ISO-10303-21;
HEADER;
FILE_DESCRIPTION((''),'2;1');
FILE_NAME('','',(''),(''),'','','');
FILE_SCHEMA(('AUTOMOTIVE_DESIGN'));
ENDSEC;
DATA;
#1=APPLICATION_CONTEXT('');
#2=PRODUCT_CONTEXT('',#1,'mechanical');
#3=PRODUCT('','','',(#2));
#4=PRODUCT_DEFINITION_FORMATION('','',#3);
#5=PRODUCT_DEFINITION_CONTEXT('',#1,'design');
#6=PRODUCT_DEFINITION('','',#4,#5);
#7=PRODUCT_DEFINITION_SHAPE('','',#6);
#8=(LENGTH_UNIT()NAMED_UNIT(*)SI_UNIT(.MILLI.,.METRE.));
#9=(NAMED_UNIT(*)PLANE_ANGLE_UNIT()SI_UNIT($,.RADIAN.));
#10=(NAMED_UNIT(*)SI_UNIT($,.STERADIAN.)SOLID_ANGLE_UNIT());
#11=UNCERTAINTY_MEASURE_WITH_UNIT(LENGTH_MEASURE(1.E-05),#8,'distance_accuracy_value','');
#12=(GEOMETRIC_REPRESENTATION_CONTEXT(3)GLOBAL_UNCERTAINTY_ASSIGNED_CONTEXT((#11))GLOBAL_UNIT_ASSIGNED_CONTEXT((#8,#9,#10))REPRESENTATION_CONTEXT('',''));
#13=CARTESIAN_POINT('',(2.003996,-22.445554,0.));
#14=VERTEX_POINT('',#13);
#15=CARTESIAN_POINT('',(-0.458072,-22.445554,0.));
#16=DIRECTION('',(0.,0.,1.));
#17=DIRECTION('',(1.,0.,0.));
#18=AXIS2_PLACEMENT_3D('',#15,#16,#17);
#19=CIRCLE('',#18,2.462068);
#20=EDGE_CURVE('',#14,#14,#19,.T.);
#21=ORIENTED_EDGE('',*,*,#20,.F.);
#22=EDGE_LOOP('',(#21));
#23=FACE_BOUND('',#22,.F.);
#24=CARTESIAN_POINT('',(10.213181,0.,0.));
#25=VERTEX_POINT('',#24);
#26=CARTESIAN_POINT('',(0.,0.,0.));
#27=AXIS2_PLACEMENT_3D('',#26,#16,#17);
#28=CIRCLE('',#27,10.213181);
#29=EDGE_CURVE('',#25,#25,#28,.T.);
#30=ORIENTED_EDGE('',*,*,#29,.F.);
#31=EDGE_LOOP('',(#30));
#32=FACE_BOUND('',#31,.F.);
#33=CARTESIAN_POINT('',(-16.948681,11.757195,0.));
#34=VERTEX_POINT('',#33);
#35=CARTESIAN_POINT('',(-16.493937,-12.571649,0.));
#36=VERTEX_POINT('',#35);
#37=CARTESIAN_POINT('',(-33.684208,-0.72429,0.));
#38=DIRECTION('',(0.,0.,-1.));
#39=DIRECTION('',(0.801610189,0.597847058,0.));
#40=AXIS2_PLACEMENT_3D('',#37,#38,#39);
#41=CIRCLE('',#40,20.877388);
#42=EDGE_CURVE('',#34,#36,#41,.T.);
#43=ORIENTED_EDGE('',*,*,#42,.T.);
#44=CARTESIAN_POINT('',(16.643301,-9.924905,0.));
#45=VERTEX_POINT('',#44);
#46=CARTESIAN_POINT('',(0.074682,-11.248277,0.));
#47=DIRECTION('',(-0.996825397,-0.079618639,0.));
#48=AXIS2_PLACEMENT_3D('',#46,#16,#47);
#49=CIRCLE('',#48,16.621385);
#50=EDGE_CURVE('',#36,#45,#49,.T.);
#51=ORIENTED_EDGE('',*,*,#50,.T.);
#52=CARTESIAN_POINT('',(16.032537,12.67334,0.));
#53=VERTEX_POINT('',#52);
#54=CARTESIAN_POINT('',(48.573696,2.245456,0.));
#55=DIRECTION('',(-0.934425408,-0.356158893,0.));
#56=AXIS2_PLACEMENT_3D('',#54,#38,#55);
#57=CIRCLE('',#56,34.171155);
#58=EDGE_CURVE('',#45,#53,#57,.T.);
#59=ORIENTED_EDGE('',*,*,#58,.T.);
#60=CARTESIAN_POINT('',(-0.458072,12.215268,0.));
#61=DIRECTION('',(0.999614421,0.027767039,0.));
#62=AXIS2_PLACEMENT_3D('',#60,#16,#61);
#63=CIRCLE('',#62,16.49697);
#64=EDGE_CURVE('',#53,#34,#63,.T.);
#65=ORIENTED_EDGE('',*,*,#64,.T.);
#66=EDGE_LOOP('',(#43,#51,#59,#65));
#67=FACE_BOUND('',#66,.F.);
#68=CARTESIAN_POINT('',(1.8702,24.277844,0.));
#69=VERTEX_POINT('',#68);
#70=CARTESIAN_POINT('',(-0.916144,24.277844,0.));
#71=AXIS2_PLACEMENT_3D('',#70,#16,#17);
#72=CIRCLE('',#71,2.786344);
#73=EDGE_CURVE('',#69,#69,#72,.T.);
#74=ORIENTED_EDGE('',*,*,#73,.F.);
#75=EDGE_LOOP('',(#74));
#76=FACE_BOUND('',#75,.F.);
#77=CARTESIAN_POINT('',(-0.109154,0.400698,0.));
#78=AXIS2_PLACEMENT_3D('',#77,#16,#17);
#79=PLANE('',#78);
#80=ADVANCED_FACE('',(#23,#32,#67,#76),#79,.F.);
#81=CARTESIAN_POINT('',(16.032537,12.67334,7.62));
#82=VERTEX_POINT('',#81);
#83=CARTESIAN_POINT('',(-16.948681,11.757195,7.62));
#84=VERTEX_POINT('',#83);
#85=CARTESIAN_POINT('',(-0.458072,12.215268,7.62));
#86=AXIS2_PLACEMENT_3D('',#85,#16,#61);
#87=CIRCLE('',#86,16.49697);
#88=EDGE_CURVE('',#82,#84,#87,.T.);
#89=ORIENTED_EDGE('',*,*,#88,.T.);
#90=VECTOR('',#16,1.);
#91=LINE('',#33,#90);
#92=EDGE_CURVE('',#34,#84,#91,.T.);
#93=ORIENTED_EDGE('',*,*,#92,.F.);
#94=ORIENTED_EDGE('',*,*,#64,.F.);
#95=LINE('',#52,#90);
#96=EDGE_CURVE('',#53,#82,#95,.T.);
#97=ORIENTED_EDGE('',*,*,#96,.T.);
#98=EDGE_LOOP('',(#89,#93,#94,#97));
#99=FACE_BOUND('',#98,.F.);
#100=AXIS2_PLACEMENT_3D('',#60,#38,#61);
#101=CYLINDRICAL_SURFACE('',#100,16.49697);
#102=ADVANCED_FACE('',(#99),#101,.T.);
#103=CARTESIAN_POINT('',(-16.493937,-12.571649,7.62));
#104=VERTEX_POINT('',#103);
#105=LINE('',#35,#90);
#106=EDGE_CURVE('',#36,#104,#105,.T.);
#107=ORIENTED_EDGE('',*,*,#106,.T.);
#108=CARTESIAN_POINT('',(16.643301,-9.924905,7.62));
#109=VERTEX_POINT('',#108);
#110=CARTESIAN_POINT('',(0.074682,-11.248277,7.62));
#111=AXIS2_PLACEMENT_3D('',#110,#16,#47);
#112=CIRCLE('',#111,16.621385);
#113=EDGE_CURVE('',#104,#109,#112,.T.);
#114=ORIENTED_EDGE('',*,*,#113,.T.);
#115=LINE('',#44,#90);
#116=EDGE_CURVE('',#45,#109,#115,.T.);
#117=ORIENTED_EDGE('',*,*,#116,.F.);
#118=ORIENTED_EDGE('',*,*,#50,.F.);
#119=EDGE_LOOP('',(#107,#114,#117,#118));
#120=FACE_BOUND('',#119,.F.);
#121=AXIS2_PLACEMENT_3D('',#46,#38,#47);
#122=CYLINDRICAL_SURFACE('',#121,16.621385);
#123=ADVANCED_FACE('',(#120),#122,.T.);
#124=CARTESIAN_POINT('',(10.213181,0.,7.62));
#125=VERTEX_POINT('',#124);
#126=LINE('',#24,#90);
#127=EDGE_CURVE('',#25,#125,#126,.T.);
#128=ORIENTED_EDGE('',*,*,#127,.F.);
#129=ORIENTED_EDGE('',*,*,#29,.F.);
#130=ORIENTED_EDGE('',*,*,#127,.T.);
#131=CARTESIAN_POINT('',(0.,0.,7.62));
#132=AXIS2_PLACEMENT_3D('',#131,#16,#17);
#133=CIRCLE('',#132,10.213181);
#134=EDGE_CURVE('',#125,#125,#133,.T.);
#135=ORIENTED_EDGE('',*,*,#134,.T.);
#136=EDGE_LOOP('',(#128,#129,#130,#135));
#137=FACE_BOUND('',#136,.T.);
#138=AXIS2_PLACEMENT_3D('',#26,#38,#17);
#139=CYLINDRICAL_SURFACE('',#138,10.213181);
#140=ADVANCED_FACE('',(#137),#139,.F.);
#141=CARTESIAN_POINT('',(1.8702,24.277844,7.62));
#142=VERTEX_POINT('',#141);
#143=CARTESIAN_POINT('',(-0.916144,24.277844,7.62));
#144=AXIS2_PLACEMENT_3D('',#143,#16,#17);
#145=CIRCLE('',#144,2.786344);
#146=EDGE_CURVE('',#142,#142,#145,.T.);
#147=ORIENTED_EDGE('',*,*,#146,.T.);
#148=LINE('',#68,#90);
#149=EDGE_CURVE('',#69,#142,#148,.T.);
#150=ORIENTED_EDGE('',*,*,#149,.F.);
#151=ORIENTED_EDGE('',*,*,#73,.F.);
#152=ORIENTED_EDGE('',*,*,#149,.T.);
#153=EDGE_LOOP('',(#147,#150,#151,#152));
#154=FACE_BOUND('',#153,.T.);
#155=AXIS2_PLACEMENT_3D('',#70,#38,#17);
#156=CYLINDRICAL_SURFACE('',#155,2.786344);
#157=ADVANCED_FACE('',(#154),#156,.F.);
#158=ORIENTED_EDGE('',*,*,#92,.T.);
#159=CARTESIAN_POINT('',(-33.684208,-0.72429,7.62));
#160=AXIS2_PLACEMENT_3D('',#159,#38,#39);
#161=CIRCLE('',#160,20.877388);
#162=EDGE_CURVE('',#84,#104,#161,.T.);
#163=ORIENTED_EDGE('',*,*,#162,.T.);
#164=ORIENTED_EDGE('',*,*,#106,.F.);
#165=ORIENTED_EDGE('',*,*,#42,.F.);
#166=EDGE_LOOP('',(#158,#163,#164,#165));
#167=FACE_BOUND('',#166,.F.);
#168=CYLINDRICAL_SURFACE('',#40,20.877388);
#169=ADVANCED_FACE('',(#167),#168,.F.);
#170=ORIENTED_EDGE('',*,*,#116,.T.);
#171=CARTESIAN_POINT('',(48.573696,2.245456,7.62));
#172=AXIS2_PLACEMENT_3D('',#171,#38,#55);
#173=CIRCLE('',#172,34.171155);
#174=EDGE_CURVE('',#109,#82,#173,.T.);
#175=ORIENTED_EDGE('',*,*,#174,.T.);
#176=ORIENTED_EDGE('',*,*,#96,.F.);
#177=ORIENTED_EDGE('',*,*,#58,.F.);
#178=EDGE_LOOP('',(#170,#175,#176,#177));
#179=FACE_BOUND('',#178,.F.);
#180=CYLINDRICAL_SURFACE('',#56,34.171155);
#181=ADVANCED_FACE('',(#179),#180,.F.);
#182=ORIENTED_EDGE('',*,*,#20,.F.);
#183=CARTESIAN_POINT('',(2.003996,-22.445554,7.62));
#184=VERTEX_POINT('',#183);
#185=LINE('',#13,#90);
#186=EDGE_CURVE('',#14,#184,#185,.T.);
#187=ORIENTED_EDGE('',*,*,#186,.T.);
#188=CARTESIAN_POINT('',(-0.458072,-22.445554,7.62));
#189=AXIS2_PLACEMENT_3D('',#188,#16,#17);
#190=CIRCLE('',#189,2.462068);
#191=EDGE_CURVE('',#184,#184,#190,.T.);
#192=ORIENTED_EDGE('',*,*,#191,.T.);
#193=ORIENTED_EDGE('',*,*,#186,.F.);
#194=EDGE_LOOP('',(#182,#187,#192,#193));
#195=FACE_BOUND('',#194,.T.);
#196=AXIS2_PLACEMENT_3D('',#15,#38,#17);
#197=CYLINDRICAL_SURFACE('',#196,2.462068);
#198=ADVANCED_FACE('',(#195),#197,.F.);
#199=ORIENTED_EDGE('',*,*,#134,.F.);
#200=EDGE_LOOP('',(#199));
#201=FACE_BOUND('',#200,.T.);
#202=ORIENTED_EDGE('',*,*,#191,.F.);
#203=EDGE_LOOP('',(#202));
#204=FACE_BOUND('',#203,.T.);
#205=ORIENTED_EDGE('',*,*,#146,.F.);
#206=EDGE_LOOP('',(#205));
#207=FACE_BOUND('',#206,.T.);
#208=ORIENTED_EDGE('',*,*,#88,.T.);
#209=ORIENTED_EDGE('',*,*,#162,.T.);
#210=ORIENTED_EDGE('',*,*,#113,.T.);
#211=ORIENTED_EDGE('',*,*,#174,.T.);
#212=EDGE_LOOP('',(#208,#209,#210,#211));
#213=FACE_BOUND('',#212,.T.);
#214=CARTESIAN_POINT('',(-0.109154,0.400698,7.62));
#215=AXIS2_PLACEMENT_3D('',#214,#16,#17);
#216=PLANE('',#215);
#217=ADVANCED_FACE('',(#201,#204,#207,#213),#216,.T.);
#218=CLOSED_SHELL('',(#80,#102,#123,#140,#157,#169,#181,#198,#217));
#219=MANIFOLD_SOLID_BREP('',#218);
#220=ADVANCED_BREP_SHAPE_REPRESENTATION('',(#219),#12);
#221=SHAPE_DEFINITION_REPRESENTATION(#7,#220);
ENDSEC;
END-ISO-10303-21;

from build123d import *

# Parameters (mm, degrees)
F0_R     = 2.462068
F0_R_2   = 10.213181
F0_R_3   = 2.786344
F1_DEPTH = 7.62


with BuildPart() as f1:
    # F0 (on Top) → F1 (new body)
    with BuildSketch(Plane.XY):
        with BuildLine():
            ThreePointArc((16.643301, -9.924905), (14.415015, 1.322247), (16.032537, 12.67334))
            ThreePointArc((16.032537, 12.67334), (-0.916144, 28.705877), (-16.948681, 11.757195))
            ThreePointArc((-16.948681, 11.757195), (-12.810466, -0.334127), (-16.493937, -12.571649))
            ThreePointArc((-16.493937, -12.571649), (1.398053, -27.816896), (16.643301, -9.924905))
        make_face()
        with Locations((-0.458072, -22.445554)):
            Circle(F0_R, mode=Mode.SUBTRACT)
        Circle(F0_R_2, mode=Mode.SUBTRACT)
        with Locations((-0.916144, 24.277844)):
            Circle(F0_R_3, mode=Mode.SUBTRACT)
    extrude(amount=F1_DEPTH)


solid = f1.part
